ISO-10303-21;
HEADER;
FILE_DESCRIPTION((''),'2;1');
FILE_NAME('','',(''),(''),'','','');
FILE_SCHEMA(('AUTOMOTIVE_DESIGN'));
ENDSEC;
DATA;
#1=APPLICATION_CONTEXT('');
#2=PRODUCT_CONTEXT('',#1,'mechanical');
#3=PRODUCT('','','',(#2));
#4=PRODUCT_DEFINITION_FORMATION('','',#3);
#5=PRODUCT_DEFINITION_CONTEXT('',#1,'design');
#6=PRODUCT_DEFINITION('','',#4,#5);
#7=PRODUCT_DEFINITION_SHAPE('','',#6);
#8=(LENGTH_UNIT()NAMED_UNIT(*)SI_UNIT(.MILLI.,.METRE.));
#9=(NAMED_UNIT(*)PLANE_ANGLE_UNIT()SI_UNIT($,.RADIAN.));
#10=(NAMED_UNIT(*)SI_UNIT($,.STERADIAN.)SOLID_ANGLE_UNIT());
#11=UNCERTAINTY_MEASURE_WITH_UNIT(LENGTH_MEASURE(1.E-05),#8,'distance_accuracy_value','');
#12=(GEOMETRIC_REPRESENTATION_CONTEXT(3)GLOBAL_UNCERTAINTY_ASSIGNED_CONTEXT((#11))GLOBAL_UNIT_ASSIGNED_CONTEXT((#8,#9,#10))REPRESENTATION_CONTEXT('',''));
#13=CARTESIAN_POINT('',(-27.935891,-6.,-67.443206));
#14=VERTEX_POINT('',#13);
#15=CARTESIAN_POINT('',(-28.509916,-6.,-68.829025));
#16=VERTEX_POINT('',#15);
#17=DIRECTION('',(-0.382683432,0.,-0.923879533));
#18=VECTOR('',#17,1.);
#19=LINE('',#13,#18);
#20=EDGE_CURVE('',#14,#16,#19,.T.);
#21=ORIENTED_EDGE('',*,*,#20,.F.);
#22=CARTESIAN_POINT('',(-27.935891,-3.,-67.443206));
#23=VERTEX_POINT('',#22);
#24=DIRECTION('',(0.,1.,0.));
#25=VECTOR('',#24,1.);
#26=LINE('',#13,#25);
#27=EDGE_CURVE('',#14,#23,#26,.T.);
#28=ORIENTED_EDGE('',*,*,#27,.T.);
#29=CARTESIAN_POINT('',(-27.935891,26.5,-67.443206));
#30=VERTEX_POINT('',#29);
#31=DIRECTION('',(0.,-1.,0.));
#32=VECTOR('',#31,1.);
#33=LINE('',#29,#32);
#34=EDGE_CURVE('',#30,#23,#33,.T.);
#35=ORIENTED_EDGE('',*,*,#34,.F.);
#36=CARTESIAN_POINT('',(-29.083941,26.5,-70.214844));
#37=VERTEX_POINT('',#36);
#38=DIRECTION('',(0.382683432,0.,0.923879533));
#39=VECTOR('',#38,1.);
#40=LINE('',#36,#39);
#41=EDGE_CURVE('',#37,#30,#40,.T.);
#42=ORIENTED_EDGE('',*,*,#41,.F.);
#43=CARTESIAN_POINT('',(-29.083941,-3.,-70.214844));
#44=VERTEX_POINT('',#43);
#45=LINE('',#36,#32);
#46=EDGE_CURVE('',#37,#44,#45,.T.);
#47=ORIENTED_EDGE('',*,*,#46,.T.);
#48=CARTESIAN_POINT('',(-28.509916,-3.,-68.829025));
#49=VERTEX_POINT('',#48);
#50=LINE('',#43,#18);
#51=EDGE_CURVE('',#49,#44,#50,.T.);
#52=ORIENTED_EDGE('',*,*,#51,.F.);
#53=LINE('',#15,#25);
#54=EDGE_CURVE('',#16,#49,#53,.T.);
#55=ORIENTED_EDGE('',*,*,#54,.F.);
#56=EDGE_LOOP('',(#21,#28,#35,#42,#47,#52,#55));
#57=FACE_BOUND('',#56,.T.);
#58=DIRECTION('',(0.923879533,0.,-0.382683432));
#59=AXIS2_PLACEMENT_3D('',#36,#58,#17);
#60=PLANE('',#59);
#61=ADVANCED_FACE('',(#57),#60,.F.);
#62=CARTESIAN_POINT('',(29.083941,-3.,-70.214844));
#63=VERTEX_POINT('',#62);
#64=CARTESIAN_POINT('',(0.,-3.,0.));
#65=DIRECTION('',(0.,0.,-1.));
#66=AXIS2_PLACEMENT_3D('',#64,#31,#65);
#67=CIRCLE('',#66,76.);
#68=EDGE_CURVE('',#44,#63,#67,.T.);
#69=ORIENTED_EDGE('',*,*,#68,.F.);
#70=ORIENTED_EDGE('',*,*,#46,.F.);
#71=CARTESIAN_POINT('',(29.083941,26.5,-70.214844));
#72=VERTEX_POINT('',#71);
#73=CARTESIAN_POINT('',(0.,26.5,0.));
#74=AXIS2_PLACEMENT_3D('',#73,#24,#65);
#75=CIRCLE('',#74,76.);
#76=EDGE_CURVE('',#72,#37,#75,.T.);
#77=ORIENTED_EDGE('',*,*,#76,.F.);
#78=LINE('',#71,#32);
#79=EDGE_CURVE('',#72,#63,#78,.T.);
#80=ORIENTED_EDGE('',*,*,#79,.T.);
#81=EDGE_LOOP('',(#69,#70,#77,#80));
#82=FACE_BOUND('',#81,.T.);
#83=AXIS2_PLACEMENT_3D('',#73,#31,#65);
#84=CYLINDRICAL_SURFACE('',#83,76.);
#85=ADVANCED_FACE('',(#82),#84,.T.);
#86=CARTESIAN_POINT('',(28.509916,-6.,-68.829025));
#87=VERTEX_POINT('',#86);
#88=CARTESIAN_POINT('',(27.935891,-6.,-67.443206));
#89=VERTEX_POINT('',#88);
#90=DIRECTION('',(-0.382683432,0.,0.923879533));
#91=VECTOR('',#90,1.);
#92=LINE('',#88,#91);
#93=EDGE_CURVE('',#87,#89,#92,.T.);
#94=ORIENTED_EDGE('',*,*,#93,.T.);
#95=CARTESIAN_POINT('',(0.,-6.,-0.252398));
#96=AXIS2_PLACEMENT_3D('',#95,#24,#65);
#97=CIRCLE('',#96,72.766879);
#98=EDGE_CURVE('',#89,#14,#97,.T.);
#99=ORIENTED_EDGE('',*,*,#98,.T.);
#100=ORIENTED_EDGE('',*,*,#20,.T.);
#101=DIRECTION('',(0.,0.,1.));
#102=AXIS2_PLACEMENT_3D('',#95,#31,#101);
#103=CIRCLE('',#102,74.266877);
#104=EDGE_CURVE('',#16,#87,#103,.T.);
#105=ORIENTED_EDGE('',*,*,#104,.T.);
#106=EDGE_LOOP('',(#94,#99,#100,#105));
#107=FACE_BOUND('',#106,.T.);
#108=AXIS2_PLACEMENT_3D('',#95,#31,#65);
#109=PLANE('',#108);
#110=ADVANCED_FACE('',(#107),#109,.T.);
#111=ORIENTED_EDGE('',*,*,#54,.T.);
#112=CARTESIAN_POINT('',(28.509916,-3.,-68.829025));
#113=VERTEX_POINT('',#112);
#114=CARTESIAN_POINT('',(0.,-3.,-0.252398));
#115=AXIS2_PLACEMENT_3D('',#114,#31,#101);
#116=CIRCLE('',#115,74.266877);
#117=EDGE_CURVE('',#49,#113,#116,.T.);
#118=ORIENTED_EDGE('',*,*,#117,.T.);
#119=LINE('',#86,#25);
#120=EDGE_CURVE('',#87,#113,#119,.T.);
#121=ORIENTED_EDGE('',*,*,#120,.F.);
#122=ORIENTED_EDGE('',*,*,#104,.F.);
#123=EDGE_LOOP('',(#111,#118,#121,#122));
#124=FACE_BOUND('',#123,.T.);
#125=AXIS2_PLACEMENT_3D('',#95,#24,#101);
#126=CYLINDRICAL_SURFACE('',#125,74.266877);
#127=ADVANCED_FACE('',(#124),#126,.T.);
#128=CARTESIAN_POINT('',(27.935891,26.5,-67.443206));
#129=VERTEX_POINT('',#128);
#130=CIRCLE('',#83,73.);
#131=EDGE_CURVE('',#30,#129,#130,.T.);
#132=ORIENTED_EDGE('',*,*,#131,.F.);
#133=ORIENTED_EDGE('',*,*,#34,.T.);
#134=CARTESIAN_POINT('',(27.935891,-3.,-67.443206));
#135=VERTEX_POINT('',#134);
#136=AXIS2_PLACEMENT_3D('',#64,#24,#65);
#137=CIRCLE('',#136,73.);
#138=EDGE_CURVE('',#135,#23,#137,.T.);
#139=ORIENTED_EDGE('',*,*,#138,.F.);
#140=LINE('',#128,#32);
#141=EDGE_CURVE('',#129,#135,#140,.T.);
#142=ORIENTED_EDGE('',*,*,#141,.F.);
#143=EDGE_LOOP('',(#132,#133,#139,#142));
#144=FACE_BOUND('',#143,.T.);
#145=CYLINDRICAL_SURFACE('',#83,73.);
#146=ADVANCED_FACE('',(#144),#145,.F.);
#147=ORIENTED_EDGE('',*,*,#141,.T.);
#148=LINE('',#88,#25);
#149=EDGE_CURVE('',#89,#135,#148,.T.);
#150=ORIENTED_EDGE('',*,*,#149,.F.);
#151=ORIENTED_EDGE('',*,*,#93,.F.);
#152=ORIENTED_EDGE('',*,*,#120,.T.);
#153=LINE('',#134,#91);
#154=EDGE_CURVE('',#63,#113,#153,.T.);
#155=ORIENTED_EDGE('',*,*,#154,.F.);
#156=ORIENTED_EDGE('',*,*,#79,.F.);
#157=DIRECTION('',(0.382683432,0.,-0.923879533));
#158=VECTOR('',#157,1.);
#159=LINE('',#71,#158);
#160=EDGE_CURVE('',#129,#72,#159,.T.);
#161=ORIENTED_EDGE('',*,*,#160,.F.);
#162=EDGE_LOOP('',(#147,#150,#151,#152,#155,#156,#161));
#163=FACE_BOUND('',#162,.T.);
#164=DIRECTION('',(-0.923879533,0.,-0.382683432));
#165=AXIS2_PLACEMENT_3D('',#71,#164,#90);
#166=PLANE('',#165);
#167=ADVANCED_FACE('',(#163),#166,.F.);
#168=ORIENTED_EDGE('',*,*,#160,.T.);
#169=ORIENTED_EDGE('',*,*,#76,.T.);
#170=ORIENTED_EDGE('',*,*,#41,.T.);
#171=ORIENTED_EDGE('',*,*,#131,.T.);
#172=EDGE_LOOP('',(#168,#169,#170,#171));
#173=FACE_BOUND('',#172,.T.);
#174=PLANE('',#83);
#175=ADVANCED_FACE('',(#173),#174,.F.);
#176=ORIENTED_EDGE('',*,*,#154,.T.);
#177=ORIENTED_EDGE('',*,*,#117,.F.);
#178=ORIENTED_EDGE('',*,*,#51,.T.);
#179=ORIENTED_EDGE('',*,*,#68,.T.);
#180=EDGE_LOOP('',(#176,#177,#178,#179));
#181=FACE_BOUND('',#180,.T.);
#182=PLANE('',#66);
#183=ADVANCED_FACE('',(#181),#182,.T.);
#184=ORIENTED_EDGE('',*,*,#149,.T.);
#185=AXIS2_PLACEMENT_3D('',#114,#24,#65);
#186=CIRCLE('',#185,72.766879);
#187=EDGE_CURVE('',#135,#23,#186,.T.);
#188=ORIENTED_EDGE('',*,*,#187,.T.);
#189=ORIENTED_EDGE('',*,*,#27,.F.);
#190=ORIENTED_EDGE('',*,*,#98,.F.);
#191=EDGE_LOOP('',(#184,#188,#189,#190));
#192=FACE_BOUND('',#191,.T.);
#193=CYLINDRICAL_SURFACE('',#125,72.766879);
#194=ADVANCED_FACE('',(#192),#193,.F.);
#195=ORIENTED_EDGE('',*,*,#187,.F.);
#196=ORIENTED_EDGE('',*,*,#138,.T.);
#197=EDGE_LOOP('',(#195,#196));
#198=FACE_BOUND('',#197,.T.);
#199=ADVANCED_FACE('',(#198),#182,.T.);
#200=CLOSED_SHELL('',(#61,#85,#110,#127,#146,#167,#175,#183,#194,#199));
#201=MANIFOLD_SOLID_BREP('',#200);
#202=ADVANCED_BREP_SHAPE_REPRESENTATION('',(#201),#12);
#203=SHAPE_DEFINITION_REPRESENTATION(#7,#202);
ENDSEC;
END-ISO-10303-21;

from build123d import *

# Parameters (mm, degrees)
BOSS_EXTRUDE1_DEPTH = 26.5
BOSS_EXTRUDE2_START = 3
BOSS_EXTRUDE2_DEPTH = 3
BOSS_EXTRUDE3_DEPTH = 3


with BuildPart() as part:
    # Sketch1 → Boss-Extrude1 (new body)
    with BuildSketch(Plane(origin=(0, 0, 0), x_dir=(1, 0, 0), z_dir=(0, 1, 0))):
        with BuildLine():
            Line((29.08394086, 70.214844471), (27.935890563, 67.443205873))
            ThreePointArc((27.935890563, 67.443205873), (0, 73), (-27.935890563, 67.443205873))
            Line((-27.935890563, 67.443205873), (-29.08394086, 70.214844471))
            ThreePointArc((-29.08394086, 70.214844471), (0, 76), (29.08394086, 70.214844471))
        make_face()
    extrude(amount=BOSS_EXTRUDE1_DEPTH)

    # Sketch2 → Boss-Extrude2 (add)
    with BuildSketch(Plane.XZ.offset(BOSS_EXTRUDE2_START)):
        with BuildLine():
            Line((27.935890563, -67.443205873), (29.08394086, -70.214844471))
            ThreePointArc((29.08394086, -70.214844471), (0, -76), (-29.08394086, -70.214844471))
            Line((-29.08394086, -70.214844471), (-27.935890563, -67.443205873))
            ThreePointArc((-27.935890563, -67.443205873), (0, -73), (27.935890563, -67.443205873))
        make_face()
    extrude(amount=-BOSS_EXTRUDE2_DEPTH)

    # Sketch3 → Boss-Extrude3 (add)
    with BuildSketch(Plane.XZ.offset(3)):
        with BuildLine():
            Line((27.935890563, -67.443205873), (28.509915711, -68.829025172))
            ThreePointArc((28.509915711, -68.829025172), (0, -74.519275475), (-28.509915711, -68.829025172))
            Line((-28.509915711, -68.829025172), (-27.935890563, -67.443205873))
            ThreePointArc((-27.935890563, -67.443205873), (0, -73.019276769), (27.935890563, -67.443205873))
        make_face()
    extrude(amount=BOSS_EXTRUDE3_DEPTH)


solid = part.part
